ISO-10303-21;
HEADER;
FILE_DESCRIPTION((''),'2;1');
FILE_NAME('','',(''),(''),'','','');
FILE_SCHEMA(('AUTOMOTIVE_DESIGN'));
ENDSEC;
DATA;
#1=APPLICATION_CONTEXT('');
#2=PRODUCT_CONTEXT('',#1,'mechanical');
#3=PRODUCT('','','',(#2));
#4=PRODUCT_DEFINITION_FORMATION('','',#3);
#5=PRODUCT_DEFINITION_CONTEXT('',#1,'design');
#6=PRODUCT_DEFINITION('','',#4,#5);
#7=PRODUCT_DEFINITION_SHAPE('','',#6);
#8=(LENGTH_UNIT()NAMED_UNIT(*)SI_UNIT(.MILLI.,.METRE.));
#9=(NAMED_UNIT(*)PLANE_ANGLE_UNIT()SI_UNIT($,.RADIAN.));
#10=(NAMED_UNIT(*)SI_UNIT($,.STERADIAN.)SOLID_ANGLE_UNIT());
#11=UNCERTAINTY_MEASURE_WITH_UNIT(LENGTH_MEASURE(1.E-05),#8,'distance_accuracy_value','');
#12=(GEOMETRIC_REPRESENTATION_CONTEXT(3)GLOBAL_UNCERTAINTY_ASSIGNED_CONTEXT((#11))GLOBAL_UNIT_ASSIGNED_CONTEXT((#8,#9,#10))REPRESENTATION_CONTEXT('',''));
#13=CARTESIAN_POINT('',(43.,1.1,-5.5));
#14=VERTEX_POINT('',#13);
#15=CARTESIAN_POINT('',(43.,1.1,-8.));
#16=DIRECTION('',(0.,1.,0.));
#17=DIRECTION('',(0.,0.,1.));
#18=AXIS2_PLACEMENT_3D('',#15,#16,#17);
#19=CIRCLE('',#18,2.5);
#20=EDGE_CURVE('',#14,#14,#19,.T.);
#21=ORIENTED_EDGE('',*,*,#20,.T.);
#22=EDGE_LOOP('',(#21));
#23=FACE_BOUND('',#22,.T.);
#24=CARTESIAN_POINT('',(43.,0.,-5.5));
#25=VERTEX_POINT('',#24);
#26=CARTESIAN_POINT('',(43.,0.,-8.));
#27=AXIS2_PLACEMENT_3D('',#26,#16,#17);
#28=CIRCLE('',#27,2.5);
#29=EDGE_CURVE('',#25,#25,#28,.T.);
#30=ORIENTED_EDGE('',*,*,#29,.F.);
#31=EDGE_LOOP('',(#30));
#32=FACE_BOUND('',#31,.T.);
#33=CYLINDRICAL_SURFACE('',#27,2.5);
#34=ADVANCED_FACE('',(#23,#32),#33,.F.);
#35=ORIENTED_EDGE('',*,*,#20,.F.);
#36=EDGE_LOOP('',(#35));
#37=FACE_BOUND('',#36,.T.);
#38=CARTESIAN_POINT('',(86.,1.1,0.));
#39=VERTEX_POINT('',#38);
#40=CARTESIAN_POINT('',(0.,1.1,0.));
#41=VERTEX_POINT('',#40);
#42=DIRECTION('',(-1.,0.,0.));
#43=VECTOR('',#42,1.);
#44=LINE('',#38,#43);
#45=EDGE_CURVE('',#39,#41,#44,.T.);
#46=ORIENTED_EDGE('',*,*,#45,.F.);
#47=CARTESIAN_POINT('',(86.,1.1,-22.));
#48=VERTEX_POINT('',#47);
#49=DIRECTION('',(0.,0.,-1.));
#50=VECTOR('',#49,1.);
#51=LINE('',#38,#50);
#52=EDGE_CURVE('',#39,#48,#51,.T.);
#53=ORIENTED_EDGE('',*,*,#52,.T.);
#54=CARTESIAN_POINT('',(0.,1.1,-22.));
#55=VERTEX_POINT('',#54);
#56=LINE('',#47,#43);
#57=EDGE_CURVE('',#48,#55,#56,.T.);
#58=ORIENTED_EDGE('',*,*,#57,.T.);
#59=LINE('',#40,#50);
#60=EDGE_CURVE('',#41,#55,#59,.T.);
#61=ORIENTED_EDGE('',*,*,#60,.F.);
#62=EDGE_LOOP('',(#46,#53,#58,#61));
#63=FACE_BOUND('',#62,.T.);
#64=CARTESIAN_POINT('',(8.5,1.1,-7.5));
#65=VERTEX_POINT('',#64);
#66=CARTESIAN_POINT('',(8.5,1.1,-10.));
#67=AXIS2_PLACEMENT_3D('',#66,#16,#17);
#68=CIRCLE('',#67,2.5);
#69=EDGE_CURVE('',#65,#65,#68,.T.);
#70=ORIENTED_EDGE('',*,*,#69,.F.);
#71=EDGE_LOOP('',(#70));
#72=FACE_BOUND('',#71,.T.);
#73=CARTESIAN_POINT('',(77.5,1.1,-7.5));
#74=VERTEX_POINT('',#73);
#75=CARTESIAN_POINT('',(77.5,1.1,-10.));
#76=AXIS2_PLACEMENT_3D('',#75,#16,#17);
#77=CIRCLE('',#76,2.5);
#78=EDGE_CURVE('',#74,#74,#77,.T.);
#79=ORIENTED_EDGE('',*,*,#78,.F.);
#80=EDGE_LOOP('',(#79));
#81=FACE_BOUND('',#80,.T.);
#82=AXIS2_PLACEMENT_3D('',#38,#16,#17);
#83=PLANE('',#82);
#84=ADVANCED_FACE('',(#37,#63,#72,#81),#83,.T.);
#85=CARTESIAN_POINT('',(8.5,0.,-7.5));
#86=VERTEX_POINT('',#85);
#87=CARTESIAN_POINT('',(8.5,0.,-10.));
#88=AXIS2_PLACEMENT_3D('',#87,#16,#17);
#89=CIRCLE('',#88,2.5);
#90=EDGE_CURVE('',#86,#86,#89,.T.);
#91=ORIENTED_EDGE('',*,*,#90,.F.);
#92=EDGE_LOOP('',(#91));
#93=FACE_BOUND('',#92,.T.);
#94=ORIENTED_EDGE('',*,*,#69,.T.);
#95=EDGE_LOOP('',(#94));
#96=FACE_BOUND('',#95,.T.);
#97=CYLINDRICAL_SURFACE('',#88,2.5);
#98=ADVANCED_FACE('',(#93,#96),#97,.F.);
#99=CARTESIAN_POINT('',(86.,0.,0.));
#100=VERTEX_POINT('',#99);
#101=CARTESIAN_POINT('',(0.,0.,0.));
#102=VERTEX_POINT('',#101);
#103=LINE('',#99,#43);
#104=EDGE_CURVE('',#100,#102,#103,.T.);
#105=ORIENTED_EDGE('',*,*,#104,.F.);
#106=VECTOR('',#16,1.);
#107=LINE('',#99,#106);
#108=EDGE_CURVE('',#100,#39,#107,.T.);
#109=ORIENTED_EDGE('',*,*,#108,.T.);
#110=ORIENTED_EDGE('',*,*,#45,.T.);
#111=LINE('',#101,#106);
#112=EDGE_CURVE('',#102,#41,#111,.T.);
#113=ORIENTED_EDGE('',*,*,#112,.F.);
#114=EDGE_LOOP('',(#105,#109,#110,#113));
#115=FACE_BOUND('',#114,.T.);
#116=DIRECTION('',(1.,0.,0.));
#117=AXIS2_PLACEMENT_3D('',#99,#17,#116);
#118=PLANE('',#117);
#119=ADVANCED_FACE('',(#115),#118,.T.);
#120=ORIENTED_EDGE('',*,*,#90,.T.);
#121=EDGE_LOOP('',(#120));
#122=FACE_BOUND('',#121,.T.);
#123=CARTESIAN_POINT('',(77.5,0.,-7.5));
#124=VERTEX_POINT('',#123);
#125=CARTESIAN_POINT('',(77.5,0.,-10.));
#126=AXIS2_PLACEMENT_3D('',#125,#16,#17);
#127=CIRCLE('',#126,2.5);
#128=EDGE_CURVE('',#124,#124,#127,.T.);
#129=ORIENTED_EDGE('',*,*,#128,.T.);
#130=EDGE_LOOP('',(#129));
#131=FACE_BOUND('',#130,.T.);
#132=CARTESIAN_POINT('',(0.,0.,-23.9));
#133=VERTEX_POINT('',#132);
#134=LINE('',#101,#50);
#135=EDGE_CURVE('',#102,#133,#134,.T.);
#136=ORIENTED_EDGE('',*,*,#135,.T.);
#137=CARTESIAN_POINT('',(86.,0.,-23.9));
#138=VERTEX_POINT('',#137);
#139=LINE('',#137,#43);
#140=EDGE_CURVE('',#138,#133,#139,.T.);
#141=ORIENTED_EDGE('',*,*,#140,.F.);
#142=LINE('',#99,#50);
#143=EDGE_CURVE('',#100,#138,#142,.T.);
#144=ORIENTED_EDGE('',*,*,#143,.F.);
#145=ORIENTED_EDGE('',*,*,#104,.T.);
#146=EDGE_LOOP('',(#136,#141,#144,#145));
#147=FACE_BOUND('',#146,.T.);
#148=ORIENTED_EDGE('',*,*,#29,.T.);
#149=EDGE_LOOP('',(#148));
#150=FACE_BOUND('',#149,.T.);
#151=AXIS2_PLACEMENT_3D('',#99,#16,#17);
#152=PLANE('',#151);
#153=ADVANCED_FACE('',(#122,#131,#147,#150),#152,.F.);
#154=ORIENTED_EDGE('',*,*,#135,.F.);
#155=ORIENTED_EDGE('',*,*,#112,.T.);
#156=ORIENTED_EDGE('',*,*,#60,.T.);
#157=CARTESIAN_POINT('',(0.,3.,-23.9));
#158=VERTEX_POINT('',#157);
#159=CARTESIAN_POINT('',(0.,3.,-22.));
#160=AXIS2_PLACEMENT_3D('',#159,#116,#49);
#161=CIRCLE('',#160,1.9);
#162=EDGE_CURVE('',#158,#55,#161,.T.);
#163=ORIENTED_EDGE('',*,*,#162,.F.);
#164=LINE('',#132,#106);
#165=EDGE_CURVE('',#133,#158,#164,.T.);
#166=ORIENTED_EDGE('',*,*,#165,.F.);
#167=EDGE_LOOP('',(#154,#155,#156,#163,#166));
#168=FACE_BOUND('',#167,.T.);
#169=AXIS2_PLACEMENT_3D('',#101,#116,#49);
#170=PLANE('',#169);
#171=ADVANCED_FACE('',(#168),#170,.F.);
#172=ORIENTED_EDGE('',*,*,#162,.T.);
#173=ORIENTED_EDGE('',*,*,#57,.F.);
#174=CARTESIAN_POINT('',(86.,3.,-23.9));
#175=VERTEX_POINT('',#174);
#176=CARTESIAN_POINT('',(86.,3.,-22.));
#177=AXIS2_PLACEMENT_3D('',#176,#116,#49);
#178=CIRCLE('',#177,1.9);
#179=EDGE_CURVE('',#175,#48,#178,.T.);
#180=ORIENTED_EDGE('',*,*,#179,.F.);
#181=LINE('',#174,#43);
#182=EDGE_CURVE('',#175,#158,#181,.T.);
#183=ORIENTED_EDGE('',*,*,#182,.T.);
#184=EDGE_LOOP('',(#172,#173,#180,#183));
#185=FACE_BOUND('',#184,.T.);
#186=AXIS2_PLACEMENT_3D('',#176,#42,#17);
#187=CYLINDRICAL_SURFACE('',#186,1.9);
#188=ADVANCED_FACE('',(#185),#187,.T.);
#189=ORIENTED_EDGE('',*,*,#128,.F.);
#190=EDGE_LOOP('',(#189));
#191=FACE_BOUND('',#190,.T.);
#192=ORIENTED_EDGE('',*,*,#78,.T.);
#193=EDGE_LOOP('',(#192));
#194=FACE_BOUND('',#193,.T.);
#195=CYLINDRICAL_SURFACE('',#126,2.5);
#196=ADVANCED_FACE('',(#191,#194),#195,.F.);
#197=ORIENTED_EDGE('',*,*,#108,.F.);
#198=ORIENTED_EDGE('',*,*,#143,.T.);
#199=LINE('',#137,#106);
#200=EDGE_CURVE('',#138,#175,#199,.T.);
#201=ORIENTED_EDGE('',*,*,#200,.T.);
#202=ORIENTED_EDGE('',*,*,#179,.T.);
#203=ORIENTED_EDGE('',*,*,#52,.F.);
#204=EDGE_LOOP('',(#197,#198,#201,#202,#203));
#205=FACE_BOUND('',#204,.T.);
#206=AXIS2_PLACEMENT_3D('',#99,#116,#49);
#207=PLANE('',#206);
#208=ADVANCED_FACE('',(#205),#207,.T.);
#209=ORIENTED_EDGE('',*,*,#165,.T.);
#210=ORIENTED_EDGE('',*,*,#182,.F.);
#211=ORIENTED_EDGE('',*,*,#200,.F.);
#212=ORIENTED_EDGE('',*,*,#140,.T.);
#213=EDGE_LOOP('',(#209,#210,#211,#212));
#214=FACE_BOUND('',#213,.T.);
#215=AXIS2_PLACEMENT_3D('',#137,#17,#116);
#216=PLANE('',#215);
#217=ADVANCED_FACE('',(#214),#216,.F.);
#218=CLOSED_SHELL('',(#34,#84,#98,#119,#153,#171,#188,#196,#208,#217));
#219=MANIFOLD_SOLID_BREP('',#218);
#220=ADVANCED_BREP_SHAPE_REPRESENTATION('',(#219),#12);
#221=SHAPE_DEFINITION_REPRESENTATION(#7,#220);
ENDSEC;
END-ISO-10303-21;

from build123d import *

# Parameters (mm, degrees)
SKETCH_1_R          = 1.9
EXTRUDE_1_DEPTH     = 86
SKETCH_2_R          = 2.5
CUT_EXTRUDE_1_DEPTH = 2.1


with BuildPart() as part:
    # 草图1 → 凸台-拉伸1 (new body)
    with BuildSketch(Plane(origin=(0, 0, 0), x_dir=(0, 0, -1), z_dir=(1, 0, 0))):
        with Locations((22, 3)):
            Circle(SKETCH_1_R)
        with BuildLine():
            Line((0, 1.1), (0, 0))
            Line((0, 0), (19, 0))
            Line((19, 0), (23.9, 0))
            Line((23.9, 0), (23.9, 3))
            ThreePointArc((23.9, 3), (23.343502884, 1.656497116), (22, 1.1))
            Line((22, 1.1), (19, 1.1))
            Line((19, 1.1), (0, 1.1))
        make_face()
    extrude(amount=EXTRUDE_1_DEPTH)

    # 草图2 → 切除-拉伸1 (cut, through all)
    with BuildSketch(Plane(origin=(0, 1.1, 0), x_dir=(1, 0, 0), z_dir=(0, 1, 0))):
        with Locations((8.5, 10)):
            Circle(SKETCH_2_R)
        with Locations((77.5, 10)):
            Circle(SKETCH_2_R)
        with Locations((43, 8)):
            Circle(SKETCH_2_R)
    extrude(amount=-CUT_EXTRUDE_1_DEPTH, mode=Mode.SUBTRACT)


solid = part.part
